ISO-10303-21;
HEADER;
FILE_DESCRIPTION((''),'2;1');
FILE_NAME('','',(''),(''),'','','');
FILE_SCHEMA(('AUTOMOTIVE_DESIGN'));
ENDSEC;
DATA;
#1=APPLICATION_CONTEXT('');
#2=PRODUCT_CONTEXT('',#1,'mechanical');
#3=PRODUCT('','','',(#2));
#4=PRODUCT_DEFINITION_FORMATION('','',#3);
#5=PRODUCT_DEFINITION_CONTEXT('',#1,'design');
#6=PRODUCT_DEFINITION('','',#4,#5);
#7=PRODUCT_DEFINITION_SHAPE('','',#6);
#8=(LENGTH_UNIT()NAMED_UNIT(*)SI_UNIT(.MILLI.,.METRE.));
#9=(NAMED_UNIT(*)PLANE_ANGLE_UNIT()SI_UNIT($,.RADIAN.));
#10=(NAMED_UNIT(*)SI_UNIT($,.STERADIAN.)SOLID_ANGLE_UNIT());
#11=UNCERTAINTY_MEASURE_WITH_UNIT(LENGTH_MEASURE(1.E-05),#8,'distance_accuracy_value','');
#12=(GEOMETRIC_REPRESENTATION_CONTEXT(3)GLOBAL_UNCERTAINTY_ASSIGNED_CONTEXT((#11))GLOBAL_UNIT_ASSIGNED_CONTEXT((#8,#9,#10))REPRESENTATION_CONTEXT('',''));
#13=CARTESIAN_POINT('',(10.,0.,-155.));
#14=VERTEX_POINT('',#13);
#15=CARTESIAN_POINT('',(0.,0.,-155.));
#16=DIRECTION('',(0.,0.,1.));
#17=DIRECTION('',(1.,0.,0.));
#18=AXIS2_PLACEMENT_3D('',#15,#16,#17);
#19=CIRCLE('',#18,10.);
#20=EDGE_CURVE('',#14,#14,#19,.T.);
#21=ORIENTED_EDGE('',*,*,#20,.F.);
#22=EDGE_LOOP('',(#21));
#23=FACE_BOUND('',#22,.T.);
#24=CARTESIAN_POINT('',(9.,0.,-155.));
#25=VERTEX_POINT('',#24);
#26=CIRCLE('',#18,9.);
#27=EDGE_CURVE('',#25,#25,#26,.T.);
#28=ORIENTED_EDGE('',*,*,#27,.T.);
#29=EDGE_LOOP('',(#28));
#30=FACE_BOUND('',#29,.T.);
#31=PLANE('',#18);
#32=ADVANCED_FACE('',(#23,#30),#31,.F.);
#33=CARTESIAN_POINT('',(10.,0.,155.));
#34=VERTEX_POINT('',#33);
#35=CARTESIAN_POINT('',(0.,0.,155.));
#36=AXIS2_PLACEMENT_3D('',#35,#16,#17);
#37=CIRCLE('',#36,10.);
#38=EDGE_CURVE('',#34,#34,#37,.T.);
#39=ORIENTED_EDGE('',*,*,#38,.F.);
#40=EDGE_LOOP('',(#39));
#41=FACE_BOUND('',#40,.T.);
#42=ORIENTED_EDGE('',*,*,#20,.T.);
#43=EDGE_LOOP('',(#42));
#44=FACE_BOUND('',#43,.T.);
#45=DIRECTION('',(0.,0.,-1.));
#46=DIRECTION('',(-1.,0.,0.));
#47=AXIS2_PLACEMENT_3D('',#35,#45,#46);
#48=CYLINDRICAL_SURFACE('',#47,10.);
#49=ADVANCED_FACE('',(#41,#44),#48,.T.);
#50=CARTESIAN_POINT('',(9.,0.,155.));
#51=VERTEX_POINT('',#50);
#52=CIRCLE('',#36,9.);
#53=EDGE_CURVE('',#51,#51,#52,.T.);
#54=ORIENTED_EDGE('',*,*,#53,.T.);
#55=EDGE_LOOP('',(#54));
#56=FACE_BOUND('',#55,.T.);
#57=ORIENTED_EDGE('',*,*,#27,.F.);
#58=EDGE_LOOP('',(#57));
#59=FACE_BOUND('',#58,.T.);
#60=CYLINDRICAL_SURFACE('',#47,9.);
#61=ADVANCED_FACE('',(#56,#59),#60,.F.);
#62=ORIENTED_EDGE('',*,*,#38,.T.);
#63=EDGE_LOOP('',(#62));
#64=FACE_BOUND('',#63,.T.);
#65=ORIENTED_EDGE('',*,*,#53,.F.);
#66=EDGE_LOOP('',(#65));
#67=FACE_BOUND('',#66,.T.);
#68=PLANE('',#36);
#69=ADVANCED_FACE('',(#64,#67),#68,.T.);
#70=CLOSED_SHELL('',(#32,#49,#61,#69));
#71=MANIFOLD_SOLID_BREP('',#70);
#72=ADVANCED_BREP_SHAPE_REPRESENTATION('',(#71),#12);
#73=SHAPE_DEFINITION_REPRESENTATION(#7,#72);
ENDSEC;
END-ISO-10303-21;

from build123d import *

# Parameters (mm, degrees)
SKETCH_1_R      = 10
SKETCH_1_R_2    = 9
EXTRUDE_1_DEPTH = 155


with BuildPart() as part:
    # 草图1 → 凸台-拉伸1 (new, symmetric)
    with BuildSketch(Plane.XY):
        Circle(SKETCH_1_R)
        Circle(SKETCH_1_R_2, mode=Mode.SUBTRACT)
    extrude(amount=EXTRUDE_1_DEPTH, both=True)


solid = part.part
